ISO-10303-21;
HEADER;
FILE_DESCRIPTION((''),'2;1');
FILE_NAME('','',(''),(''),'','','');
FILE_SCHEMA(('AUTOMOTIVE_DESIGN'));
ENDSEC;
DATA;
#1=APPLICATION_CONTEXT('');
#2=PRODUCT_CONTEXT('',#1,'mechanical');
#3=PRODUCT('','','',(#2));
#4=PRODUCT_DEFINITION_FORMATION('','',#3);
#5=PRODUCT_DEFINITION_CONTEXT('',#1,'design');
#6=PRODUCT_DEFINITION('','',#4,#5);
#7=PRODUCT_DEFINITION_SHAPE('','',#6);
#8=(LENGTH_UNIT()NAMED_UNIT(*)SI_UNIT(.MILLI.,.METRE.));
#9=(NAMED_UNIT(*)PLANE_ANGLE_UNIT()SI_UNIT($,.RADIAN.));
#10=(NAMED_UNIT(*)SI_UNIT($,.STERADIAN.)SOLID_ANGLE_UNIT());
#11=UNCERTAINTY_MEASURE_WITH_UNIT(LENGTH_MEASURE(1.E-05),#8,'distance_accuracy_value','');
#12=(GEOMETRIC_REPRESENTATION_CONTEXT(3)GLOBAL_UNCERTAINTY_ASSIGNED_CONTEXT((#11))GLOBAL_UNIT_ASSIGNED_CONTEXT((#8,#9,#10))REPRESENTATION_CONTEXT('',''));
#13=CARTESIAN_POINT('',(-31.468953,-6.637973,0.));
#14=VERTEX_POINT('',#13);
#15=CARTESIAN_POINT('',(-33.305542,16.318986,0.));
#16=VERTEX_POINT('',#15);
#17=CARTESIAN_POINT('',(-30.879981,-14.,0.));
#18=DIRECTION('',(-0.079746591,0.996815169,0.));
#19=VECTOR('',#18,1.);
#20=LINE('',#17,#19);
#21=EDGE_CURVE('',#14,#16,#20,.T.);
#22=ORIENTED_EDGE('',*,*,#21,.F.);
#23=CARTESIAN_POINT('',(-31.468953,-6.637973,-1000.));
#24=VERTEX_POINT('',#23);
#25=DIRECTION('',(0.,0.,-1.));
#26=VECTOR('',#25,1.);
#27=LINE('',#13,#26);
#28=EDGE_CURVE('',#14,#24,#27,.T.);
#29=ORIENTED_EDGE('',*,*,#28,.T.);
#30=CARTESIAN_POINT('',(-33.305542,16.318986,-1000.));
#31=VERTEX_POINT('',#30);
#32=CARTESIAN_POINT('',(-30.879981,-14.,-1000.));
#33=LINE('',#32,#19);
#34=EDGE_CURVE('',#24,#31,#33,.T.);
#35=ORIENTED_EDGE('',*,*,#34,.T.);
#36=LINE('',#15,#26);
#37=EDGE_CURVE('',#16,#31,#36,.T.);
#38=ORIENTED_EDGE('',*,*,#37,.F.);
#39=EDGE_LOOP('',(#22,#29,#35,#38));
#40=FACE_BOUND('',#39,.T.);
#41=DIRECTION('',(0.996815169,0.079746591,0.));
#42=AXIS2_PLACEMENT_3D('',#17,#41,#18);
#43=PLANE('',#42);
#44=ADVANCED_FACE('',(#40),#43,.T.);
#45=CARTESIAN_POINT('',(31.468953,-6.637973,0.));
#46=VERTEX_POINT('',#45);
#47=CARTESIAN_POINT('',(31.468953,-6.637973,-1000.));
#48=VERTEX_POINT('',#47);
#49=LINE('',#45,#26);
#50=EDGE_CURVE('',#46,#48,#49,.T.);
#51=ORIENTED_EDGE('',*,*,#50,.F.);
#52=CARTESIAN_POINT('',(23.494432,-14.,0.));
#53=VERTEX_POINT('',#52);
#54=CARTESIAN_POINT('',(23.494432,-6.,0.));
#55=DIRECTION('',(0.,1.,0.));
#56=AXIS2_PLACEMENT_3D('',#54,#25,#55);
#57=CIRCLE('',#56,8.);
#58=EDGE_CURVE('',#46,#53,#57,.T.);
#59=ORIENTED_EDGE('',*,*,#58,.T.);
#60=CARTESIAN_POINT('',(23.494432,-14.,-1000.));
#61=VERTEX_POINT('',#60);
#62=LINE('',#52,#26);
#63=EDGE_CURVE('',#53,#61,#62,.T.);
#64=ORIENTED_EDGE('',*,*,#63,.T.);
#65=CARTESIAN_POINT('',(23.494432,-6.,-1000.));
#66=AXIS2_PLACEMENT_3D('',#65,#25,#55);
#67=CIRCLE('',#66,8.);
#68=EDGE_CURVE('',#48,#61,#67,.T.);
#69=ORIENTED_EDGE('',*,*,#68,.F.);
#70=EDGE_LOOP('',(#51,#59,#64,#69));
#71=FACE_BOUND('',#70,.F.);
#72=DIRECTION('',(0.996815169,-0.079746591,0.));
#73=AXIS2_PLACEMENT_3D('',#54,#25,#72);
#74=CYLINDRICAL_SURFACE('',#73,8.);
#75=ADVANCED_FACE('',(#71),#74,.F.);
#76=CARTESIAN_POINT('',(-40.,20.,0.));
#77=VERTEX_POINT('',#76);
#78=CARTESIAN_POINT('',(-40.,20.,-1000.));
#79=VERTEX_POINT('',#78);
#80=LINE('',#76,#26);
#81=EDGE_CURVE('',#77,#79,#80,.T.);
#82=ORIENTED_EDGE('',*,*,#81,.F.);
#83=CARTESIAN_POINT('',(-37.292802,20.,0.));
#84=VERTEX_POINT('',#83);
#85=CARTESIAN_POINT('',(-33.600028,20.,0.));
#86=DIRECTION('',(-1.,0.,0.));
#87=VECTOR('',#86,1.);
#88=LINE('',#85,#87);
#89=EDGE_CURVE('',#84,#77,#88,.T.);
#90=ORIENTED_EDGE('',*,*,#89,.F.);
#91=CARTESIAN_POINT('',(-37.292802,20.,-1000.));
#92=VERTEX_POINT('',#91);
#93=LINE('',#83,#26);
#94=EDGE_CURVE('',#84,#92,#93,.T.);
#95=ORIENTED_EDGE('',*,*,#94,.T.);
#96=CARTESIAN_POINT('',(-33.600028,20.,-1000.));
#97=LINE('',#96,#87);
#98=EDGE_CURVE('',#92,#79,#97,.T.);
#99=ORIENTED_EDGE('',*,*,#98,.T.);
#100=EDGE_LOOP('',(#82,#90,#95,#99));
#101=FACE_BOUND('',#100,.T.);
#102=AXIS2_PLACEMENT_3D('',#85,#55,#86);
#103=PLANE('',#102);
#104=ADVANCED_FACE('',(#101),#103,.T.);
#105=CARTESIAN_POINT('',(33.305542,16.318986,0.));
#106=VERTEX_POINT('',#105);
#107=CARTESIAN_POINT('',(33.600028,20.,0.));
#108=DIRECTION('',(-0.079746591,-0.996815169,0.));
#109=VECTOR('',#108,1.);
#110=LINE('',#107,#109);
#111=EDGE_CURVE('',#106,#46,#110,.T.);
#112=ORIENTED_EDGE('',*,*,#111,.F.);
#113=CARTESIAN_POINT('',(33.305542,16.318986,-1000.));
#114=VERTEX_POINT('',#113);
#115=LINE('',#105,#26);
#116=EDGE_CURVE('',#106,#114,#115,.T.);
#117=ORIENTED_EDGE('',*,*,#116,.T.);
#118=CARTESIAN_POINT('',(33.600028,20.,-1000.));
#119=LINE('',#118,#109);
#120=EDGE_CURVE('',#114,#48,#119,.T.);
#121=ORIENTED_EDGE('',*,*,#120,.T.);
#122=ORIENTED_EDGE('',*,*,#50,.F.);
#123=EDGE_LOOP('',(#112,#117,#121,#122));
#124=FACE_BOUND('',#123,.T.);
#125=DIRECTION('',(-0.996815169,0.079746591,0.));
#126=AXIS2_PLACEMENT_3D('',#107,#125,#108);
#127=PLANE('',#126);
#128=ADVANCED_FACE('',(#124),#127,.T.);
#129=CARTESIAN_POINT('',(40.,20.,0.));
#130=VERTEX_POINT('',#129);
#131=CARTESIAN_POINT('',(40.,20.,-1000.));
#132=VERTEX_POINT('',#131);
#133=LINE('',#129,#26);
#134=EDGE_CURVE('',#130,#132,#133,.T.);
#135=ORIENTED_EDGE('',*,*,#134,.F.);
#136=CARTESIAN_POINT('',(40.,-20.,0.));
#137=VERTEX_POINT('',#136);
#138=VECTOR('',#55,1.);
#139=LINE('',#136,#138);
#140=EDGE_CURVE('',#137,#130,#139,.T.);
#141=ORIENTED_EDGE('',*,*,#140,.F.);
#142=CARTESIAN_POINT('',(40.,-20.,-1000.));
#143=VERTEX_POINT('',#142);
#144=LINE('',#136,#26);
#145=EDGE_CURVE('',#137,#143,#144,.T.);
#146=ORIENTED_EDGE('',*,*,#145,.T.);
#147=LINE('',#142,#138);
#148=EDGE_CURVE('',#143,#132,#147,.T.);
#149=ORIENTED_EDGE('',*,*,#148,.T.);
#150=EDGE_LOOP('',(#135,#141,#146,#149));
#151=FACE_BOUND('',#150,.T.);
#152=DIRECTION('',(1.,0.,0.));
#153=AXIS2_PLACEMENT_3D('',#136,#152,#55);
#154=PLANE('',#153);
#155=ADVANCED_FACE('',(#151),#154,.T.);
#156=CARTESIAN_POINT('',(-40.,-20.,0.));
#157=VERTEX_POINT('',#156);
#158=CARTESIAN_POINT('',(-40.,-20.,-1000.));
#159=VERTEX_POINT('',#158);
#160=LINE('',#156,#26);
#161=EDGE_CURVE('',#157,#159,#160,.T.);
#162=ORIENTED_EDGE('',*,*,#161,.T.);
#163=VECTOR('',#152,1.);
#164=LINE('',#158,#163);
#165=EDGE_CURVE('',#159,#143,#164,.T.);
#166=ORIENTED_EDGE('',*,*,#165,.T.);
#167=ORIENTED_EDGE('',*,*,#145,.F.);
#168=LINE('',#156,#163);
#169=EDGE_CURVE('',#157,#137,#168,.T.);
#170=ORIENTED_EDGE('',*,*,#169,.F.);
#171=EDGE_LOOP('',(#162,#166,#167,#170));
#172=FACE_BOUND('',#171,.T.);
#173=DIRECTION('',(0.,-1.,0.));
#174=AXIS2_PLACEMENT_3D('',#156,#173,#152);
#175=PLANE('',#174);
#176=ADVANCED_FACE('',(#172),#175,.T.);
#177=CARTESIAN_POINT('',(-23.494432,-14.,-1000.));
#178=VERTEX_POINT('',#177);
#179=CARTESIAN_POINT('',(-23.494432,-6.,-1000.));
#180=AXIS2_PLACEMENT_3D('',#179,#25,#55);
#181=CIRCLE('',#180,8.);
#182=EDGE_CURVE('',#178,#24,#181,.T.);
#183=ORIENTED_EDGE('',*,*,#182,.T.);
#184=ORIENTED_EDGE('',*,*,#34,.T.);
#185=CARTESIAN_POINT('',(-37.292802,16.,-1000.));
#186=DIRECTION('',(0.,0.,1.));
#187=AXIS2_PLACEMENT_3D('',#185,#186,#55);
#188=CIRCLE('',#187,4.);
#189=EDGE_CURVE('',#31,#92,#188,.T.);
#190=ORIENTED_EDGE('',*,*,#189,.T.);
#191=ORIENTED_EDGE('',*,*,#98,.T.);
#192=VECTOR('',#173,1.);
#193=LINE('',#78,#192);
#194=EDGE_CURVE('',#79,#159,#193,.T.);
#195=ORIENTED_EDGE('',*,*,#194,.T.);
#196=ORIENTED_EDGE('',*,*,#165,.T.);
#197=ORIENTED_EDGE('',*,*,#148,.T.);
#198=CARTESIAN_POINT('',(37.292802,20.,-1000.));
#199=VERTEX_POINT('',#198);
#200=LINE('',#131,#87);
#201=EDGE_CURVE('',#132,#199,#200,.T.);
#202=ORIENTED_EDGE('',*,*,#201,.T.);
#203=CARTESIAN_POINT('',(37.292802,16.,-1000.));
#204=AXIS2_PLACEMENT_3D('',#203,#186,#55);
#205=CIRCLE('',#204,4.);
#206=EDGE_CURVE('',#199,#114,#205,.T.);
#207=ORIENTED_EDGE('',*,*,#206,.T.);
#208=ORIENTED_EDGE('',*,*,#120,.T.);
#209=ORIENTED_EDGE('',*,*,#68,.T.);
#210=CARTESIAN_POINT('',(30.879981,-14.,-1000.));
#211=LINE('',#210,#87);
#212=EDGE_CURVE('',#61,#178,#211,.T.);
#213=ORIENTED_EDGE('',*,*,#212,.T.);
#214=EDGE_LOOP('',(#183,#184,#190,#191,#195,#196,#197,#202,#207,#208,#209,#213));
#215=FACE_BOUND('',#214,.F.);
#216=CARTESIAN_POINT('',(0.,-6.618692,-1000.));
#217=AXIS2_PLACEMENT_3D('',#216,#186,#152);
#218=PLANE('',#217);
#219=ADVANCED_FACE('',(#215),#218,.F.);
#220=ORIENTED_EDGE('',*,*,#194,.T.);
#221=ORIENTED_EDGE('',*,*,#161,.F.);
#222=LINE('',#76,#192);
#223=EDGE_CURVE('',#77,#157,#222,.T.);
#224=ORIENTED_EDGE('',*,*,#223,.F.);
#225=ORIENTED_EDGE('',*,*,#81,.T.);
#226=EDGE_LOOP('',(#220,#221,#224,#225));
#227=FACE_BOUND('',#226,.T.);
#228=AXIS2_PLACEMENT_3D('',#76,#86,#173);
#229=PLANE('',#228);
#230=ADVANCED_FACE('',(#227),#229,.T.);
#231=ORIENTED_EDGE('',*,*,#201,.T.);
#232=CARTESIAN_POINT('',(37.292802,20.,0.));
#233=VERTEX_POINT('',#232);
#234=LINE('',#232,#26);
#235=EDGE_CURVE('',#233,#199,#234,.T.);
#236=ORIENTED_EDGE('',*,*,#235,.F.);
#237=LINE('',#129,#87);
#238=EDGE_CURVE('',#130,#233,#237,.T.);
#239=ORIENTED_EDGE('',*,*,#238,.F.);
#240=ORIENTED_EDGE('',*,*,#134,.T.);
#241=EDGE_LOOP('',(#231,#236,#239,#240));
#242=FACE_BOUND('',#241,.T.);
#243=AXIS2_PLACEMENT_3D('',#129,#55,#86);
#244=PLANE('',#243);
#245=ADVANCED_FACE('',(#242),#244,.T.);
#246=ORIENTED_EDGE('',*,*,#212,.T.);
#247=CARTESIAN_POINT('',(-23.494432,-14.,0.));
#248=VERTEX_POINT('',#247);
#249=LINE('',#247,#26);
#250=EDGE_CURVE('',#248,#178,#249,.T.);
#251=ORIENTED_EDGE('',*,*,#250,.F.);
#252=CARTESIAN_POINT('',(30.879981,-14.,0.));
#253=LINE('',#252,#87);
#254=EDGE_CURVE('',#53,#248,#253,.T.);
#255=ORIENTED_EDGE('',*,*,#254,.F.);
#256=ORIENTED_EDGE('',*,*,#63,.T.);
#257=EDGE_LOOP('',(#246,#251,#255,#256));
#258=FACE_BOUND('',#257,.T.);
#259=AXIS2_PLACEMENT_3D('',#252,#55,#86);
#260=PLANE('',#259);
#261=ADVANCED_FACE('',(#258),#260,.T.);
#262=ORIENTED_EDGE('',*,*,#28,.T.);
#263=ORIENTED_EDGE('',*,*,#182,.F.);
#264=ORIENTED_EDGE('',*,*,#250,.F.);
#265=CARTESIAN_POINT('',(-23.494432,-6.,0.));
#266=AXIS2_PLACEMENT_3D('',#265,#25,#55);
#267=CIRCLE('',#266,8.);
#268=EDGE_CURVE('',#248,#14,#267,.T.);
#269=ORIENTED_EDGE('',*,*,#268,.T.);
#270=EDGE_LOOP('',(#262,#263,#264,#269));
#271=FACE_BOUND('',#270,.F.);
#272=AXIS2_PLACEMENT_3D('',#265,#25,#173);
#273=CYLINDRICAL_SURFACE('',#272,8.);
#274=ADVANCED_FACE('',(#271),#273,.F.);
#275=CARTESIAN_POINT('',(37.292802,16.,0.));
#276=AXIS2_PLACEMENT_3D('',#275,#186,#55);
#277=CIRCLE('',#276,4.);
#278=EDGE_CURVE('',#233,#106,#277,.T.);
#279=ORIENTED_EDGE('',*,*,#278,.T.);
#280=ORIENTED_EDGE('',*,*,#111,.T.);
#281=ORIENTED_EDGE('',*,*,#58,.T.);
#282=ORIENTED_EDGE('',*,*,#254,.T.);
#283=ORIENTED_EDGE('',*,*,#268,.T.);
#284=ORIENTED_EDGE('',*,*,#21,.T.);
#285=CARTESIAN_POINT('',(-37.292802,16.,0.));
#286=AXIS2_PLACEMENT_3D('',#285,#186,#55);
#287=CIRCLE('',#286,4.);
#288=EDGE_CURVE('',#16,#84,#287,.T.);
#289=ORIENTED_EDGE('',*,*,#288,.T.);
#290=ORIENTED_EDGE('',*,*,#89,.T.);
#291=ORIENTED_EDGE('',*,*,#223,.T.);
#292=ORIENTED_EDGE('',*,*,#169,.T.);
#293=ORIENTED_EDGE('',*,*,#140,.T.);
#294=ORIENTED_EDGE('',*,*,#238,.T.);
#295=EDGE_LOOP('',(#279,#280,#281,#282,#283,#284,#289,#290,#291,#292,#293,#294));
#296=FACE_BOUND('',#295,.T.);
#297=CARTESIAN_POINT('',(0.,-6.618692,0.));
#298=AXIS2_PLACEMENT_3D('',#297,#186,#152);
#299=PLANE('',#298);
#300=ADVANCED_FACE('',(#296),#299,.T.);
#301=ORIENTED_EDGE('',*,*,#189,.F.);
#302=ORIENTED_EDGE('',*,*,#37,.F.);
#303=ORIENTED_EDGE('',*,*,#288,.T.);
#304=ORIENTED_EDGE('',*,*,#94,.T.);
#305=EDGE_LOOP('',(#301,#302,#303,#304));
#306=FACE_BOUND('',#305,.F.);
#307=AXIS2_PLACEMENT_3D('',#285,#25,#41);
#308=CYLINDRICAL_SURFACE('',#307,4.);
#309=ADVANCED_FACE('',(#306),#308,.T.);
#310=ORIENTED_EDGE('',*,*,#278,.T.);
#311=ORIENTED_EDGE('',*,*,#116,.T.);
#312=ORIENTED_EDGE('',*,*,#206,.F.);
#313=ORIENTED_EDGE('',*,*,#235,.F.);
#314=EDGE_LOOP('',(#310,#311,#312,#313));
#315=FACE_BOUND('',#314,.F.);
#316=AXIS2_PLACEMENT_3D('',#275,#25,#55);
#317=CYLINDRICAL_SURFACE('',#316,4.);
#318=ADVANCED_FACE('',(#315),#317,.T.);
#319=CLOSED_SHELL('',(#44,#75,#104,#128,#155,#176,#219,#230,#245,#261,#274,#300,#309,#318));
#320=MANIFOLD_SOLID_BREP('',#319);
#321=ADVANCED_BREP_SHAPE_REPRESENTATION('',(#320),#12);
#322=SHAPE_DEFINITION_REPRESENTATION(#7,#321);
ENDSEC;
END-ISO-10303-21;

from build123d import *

# Parameters (mm, degrees)
F1_DEPTH = 1000
F2_R     = 4
F3_R     = 8


with BuildPart() as f1:
    # F0 (on Top) → F1 (new body)
    with BuildSketch(Plane.XY):
        Polygon((-40, 20), (-40, -20), (40, -20), (40, 20), (33.600028, 20), (30.879981, -14), (-30.879981, -14), (-33.600028, 20), align=None)
    extrude(amount=-F1_DEPTH)

    # F2
    f2_edges = [f1.edges().sort_by_distance(p)[0] for p in [
        (-33.600028, 20, -500),
        (33.600028, 20, -500),
    ]]
    fillet(f2_edges, radius=F2_R)

    # F3
    f3_edges = [f1.edges().sort_by_distance(p)[0] for p in [
        (-30.879981, -14, -500),
        (30.879981, -14, -500),
    ]]
    fillet(f3_edges, radius=F3_R)


solid = f1.part
